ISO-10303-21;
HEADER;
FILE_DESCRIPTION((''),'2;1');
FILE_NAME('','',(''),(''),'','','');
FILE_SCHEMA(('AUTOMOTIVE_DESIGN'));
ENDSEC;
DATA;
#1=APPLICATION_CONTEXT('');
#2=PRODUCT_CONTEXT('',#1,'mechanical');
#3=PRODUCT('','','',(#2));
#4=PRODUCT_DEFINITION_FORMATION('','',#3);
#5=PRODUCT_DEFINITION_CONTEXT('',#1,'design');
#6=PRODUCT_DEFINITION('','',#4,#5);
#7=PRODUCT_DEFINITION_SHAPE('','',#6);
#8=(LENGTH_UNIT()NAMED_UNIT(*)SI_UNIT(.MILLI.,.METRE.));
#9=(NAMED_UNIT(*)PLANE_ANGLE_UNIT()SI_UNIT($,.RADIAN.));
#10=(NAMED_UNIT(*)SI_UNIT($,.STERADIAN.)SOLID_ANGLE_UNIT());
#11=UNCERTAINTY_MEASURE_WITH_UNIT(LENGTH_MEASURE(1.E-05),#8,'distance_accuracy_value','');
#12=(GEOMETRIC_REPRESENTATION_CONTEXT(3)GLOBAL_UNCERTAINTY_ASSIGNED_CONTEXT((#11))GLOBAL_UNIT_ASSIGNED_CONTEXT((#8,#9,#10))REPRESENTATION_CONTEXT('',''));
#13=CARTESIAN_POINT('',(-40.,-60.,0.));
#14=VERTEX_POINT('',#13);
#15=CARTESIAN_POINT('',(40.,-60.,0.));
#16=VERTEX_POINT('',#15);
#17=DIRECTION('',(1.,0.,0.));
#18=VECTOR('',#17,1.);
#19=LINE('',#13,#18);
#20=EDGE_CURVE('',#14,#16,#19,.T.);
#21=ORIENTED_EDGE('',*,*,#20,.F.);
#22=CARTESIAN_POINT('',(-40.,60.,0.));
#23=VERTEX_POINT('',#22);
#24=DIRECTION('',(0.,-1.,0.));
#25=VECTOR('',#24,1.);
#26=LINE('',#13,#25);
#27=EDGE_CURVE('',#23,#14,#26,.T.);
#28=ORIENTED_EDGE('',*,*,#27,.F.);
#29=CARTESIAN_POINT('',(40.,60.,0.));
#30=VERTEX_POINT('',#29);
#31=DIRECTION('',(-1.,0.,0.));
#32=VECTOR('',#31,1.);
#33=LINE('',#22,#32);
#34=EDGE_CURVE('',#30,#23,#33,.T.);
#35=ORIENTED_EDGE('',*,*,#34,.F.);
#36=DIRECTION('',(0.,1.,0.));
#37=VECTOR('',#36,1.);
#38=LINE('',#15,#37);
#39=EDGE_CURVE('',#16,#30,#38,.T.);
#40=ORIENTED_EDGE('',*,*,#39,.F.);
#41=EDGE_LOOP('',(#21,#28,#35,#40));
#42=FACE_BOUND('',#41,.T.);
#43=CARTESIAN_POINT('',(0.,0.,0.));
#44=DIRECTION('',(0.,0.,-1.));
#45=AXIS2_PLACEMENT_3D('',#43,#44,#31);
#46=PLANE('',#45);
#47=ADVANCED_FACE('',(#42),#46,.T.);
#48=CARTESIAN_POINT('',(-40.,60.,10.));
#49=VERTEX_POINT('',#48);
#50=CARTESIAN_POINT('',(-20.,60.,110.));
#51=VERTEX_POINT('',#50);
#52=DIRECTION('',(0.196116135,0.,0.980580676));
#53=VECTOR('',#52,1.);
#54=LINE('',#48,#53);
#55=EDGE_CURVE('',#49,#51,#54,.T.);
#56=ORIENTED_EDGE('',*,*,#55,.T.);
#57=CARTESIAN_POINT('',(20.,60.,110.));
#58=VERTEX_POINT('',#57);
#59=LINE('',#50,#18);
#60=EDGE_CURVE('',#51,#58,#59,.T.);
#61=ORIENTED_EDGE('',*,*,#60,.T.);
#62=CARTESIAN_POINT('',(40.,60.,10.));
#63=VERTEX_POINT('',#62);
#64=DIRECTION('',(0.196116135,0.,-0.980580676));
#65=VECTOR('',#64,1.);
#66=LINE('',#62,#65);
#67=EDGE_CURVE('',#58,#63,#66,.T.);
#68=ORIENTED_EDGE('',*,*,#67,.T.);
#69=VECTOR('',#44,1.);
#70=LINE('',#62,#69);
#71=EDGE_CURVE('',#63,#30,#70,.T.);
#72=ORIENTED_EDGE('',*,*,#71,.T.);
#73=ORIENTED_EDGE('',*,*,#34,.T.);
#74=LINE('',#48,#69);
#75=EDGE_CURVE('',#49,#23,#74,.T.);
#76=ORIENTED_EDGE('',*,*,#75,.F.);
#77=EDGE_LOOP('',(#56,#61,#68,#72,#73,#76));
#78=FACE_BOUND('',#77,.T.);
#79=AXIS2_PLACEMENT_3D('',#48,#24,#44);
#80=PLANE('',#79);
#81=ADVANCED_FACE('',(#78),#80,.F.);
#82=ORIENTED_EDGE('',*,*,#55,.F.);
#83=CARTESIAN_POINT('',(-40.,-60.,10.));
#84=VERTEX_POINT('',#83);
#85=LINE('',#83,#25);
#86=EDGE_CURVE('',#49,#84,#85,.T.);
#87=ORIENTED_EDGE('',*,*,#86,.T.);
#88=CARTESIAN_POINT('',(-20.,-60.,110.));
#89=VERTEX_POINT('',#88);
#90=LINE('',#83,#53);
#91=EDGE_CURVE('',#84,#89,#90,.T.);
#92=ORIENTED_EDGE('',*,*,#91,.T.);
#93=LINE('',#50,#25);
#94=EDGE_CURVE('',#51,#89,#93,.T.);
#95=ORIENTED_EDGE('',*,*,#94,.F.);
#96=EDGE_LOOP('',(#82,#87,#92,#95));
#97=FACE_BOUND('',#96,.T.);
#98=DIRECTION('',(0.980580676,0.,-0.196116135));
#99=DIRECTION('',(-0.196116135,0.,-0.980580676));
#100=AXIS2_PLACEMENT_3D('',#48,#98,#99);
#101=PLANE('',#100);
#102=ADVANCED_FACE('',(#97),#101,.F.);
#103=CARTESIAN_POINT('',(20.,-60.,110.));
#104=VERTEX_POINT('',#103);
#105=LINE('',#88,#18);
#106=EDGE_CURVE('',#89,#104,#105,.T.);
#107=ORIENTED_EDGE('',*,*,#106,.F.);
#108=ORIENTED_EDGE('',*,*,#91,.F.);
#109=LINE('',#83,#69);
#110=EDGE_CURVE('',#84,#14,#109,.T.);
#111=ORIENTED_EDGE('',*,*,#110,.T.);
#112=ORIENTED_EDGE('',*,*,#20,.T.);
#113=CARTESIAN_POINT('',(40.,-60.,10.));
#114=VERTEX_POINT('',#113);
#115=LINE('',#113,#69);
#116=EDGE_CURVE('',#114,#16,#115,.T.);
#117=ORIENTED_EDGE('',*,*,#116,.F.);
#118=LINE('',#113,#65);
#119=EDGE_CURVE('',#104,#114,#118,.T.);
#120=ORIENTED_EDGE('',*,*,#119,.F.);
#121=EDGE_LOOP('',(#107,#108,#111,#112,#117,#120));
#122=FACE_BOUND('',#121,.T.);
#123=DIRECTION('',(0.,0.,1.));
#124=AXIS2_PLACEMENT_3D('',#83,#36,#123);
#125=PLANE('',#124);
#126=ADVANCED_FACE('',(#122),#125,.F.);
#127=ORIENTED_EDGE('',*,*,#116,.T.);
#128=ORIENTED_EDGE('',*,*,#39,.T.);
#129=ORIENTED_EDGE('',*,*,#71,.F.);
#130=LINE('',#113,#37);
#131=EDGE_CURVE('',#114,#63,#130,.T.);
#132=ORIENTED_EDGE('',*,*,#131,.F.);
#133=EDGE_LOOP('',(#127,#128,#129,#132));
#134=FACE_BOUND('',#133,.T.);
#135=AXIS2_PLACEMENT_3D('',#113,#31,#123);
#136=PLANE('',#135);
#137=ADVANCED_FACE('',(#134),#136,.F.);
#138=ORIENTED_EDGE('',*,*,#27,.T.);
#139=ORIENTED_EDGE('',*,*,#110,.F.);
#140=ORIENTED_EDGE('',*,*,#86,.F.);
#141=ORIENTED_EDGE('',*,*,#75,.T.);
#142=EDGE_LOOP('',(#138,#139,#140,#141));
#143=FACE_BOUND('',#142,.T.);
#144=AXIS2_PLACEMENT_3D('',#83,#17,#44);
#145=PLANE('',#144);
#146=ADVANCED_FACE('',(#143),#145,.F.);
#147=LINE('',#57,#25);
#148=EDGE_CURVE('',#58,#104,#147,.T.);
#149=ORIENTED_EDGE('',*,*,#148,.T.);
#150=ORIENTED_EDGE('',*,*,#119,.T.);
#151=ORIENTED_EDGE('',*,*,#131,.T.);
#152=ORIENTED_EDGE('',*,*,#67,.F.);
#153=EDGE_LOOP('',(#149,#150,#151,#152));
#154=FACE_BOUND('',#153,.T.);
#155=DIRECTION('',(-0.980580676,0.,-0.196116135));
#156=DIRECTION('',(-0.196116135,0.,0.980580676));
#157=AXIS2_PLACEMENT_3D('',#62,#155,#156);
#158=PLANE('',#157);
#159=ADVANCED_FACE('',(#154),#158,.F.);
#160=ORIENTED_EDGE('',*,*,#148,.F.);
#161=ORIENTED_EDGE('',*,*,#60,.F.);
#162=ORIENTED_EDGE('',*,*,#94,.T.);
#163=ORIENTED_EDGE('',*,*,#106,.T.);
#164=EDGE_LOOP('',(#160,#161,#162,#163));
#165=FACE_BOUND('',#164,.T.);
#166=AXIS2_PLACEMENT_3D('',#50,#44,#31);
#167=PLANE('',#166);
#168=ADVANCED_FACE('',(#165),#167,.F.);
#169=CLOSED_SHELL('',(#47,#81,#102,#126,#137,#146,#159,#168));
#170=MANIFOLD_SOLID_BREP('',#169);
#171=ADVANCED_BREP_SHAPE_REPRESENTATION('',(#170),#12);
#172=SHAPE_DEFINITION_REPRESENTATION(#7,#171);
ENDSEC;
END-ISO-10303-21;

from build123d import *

# Parameters (mm, degrees)
SKETCH1_W           = 80
SKETCH1_H           = 120
BOSS_EXTRUDE1_DEPTH = 10
BOSS_EXTRUDE2_DEPTH = 60


with BuildPart() as part:
    # Sketch1 → Boss-Extrude1 (new body)
    with BuildSketch(Plane.XY):
        Rectangle(SKETCH1_W, SKETCH1_H)
    extrude(amount=BOSS_EXTRUDE1_DEPTH)

    # Sketch2 → Boss-Extrude2 (add, symmetric)
    with BuildSketch(Plane(origin=(0, 0, 0), x_dir=(1, 0, 0), z_dir=(0, 1, 0))):
        Polygon((40, -10), (-40, -10), (-20, -110), (20, -110), align=None)
    extrude(amount=BOSS_EXTRUDE2_DEPTH, both=True)


solid = part.part
